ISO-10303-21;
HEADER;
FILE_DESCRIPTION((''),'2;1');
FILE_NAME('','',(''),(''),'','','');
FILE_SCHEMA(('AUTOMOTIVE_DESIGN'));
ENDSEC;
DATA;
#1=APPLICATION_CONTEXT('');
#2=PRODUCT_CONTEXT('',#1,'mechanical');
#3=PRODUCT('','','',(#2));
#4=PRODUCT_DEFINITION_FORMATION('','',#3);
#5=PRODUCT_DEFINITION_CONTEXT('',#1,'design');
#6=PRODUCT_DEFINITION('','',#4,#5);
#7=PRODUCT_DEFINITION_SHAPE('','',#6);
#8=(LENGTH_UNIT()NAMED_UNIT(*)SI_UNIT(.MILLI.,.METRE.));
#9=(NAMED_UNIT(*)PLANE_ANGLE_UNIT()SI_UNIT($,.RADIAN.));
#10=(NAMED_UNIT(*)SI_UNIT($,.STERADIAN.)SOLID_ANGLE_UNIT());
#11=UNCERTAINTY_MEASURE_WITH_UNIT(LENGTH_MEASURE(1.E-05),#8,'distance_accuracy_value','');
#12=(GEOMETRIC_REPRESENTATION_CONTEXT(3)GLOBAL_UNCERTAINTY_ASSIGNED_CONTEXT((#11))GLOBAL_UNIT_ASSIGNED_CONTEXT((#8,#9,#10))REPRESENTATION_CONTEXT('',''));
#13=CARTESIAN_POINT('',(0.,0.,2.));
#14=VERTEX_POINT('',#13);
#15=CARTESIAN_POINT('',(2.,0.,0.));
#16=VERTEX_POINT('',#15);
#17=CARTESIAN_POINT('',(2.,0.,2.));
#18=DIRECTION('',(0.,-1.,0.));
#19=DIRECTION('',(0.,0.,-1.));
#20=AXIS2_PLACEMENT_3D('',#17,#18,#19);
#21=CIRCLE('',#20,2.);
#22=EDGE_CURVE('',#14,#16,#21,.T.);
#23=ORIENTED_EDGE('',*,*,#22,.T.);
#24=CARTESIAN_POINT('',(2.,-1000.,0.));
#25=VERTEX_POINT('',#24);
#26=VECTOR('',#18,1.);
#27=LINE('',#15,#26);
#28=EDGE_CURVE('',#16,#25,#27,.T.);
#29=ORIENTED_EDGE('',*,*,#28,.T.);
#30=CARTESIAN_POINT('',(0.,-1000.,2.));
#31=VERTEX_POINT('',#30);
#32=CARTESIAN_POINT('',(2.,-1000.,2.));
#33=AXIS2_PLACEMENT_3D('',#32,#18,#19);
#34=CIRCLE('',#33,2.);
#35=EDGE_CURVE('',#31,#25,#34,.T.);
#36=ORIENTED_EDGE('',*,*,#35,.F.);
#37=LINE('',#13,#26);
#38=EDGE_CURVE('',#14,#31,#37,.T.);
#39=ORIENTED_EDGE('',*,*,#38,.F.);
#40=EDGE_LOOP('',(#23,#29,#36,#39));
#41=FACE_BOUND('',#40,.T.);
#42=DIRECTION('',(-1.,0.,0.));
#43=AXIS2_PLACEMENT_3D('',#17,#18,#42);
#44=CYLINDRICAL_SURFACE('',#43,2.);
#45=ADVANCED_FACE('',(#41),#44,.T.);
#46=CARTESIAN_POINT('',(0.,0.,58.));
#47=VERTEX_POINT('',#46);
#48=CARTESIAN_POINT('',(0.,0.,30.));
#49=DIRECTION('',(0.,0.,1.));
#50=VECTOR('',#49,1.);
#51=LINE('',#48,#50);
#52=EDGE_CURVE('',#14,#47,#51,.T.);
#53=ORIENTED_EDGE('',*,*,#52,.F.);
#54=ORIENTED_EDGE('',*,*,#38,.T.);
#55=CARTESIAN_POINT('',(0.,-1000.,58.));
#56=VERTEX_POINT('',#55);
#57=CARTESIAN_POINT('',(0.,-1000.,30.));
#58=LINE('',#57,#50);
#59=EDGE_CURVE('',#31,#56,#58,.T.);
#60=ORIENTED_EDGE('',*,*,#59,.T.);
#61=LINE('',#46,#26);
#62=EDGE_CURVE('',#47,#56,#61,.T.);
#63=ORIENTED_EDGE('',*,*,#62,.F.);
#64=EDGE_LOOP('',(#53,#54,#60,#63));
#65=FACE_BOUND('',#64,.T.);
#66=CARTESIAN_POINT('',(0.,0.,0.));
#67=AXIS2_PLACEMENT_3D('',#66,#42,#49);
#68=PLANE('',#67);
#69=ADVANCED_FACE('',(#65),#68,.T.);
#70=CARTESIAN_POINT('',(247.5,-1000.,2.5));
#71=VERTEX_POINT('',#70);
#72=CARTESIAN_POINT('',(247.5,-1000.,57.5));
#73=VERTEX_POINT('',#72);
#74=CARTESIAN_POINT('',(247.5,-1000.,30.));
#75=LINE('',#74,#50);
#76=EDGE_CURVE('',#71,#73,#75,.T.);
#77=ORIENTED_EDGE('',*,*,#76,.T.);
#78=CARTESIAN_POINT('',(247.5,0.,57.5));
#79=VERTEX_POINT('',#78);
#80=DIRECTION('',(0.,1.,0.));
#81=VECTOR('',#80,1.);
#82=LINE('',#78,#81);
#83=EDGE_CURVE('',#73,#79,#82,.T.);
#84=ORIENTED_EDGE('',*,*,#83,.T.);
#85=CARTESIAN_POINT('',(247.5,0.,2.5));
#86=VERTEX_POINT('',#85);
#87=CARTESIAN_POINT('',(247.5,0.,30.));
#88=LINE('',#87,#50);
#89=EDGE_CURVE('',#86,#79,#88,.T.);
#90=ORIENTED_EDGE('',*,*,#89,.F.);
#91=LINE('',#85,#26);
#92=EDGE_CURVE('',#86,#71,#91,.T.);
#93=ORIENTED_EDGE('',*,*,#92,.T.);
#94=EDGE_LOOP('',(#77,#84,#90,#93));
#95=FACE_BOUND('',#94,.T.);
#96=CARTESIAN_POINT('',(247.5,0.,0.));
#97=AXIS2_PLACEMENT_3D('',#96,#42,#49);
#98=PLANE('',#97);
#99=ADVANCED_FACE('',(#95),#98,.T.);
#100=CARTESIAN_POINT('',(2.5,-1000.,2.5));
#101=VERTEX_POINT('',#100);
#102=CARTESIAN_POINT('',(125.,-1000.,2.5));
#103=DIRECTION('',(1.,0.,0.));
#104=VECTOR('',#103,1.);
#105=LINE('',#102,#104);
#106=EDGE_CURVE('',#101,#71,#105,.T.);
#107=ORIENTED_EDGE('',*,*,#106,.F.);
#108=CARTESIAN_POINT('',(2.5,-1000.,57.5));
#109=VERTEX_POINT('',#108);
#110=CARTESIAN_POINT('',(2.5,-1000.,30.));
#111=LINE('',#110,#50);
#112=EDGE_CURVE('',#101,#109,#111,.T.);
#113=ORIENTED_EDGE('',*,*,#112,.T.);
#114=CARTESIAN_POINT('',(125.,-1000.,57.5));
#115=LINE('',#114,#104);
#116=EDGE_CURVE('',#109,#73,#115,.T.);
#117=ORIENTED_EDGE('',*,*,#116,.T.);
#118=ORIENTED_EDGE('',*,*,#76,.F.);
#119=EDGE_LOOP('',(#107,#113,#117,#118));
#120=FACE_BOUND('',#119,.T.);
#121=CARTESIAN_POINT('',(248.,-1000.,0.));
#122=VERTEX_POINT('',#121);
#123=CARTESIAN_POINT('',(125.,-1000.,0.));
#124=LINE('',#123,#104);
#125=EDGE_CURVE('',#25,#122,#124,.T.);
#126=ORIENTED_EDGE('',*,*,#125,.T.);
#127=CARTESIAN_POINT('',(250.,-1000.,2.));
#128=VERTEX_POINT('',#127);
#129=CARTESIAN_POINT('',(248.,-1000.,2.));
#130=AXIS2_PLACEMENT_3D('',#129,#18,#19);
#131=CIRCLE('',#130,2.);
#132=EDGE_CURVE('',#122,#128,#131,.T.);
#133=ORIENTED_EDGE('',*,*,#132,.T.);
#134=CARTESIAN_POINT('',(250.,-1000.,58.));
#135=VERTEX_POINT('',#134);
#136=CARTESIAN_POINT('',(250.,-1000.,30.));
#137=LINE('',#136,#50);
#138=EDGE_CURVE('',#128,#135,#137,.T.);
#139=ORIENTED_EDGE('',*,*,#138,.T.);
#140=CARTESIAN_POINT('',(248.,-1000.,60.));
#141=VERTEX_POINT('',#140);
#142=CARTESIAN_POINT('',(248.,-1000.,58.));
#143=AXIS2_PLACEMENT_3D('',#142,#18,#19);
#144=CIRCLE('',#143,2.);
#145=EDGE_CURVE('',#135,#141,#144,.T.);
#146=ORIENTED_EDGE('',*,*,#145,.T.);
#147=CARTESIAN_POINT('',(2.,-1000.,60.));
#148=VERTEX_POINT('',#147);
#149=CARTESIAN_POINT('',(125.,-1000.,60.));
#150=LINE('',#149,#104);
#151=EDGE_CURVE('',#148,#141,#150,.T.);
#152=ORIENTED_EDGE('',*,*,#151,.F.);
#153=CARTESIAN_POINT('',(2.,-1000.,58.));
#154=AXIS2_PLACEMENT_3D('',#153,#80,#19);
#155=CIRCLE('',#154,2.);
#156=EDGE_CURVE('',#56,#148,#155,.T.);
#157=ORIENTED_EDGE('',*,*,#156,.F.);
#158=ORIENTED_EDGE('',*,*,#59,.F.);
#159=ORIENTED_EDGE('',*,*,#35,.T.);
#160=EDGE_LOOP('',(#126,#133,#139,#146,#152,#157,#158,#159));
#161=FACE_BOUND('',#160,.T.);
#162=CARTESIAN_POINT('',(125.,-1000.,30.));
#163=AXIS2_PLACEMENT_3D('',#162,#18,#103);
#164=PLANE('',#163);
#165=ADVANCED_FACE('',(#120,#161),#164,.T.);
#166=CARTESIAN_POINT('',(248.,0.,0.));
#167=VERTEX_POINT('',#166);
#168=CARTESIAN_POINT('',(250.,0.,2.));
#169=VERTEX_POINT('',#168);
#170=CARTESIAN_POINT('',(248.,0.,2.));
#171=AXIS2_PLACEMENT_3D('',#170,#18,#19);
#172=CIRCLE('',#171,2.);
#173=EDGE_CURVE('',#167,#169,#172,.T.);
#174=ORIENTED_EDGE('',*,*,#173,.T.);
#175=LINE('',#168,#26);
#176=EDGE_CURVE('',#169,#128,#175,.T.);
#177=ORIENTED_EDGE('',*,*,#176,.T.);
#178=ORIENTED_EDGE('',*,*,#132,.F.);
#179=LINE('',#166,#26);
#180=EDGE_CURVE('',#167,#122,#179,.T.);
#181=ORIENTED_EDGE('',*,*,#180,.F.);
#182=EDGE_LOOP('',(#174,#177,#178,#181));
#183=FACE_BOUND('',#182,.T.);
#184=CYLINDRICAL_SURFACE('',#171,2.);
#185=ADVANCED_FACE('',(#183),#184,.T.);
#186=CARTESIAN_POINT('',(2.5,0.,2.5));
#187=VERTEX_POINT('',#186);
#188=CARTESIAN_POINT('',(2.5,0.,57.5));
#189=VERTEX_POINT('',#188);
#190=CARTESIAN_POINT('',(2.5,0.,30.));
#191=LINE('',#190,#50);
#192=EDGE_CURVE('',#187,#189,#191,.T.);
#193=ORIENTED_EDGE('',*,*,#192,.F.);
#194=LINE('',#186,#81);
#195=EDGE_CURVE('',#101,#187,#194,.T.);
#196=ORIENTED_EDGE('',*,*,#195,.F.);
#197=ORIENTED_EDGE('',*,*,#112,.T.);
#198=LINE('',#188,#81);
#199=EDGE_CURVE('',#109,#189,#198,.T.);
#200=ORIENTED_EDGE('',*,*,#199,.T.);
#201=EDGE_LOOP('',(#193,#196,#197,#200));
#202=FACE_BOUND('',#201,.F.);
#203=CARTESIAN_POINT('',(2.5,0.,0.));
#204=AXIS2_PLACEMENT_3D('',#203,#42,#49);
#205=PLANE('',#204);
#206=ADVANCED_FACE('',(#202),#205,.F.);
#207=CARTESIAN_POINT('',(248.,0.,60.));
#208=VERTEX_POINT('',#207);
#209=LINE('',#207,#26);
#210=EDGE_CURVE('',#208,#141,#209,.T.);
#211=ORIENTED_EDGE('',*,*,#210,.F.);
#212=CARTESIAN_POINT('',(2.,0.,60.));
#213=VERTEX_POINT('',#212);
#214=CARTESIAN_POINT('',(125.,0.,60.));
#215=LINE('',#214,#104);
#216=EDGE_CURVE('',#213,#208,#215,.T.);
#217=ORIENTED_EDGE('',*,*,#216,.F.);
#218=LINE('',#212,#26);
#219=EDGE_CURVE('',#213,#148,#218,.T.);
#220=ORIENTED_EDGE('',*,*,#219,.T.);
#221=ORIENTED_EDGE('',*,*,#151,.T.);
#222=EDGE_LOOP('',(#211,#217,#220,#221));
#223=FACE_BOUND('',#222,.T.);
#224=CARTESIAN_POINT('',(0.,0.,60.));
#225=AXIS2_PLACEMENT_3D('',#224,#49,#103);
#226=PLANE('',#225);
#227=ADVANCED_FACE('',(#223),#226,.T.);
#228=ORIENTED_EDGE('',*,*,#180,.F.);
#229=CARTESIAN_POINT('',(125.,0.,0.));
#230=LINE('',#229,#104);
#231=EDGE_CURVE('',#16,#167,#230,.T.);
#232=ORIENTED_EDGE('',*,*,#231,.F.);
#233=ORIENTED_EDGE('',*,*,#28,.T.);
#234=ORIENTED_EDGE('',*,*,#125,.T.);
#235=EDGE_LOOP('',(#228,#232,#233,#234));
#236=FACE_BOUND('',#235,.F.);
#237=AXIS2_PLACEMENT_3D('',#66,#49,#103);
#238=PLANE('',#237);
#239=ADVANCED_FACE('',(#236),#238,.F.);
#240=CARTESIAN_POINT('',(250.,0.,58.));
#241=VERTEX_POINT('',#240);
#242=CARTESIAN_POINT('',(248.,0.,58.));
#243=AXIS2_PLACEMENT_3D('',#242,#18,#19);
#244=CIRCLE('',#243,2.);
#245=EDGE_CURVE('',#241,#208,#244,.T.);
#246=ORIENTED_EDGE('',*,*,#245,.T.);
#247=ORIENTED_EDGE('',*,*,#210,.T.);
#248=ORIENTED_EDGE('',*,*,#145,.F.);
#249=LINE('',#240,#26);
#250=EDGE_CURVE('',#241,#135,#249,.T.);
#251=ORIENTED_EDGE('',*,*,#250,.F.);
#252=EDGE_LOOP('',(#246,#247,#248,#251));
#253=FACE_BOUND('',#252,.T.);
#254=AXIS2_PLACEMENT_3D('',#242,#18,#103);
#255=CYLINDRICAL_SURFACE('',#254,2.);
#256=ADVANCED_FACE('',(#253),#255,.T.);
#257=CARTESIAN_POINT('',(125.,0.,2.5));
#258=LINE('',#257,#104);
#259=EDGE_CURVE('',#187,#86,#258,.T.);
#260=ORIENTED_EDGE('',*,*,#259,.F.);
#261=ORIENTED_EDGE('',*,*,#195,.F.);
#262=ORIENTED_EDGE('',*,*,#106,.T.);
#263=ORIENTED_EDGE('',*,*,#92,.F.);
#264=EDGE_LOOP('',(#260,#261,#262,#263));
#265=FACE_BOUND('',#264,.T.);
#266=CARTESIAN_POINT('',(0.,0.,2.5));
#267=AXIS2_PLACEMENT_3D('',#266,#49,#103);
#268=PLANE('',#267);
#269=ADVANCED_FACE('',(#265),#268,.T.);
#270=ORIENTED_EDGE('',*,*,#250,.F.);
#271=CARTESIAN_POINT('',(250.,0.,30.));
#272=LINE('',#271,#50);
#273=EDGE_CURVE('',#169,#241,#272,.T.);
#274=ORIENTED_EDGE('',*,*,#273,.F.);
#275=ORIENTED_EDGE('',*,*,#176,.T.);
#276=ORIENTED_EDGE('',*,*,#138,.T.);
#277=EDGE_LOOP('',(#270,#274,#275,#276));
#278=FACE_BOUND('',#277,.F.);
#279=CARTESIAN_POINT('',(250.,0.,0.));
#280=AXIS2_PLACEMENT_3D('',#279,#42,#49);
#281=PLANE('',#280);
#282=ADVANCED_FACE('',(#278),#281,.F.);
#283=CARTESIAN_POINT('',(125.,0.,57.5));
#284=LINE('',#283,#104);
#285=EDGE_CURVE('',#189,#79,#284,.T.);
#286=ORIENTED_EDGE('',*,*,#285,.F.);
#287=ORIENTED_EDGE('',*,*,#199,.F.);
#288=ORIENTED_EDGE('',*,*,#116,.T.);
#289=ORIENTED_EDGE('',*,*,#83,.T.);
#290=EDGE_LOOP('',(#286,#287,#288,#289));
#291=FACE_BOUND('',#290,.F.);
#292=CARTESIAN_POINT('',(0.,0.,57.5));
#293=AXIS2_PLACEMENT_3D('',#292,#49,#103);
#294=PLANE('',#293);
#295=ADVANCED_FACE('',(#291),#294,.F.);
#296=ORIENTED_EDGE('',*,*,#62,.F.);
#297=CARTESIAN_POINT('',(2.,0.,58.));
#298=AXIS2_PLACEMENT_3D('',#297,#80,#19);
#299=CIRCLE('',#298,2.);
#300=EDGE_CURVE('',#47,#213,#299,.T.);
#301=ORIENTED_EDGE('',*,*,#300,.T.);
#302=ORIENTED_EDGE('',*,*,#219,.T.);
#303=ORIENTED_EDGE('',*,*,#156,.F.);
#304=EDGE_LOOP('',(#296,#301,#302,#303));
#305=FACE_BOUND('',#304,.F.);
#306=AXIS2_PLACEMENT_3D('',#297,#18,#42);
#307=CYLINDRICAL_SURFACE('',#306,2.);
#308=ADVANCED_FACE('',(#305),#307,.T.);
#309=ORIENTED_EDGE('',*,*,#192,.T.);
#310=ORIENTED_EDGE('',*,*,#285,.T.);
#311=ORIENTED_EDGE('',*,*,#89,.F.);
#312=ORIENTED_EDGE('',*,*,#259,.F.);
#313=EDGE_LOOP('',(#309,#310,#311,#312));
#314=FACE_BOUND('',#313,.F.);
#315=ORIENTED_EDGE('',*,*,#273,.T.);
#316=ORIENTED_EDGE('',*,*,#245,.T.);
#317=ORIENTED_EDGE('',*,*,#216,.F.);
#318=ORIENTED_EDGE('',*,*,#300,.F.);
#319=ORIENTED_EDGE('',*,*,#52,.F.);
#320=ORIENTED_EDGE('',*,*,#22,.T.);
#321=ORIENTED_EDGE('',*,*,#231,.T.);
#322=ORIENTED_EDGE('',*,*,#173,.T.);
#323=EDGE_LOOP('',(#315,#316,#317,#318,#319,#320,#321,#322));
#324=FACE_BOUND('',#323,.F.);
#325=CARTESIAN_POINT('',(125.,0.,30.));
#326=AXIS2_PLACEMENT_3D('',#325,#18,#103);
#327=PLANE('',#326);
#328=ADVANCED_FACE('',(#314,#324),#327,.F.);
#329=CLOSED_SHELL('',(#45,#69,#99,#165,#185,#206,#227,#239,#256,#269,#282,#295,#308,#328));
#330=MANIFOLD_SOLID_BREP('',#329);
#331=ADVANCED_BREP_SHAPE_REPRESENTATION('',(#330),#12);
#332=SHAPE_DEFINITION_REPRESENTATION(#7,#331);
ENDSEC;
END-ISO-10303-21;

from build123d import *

# Parameters (mm, degrees)
F0_W     = 250
F0_H     = 60
F1_DEPTH = 1000
F2_T     = -2.5
F3_R     = 2


with BuildPart() as f1:
    # F0 (on Front) → F1 (new body)
    with BuildSketch(Plane.XZ):
        with Locations((125, 30)):
            Rectangle(F0_W, F0_H)
    extrude(amount=F1_DEPTH)

    # F2
    f2_openings = [f1.faces().sort_by_distance(p)[0] for p in [
        (125, -1000, 30),
        (125, 0, 30),
    ]]
    offset(amount=F2_T, openings=f2_openings)

    # F3
    f3_edges = [f1.edges().sort_by_distance(p)[0] for p in [
        (0, -500, 60),
        (250, -500, 60),
        (250, -500, 0),
        (0, -500, 0),
    ]]
    fillet(f3_edges, radius=F3_R)


solid = f1.part
